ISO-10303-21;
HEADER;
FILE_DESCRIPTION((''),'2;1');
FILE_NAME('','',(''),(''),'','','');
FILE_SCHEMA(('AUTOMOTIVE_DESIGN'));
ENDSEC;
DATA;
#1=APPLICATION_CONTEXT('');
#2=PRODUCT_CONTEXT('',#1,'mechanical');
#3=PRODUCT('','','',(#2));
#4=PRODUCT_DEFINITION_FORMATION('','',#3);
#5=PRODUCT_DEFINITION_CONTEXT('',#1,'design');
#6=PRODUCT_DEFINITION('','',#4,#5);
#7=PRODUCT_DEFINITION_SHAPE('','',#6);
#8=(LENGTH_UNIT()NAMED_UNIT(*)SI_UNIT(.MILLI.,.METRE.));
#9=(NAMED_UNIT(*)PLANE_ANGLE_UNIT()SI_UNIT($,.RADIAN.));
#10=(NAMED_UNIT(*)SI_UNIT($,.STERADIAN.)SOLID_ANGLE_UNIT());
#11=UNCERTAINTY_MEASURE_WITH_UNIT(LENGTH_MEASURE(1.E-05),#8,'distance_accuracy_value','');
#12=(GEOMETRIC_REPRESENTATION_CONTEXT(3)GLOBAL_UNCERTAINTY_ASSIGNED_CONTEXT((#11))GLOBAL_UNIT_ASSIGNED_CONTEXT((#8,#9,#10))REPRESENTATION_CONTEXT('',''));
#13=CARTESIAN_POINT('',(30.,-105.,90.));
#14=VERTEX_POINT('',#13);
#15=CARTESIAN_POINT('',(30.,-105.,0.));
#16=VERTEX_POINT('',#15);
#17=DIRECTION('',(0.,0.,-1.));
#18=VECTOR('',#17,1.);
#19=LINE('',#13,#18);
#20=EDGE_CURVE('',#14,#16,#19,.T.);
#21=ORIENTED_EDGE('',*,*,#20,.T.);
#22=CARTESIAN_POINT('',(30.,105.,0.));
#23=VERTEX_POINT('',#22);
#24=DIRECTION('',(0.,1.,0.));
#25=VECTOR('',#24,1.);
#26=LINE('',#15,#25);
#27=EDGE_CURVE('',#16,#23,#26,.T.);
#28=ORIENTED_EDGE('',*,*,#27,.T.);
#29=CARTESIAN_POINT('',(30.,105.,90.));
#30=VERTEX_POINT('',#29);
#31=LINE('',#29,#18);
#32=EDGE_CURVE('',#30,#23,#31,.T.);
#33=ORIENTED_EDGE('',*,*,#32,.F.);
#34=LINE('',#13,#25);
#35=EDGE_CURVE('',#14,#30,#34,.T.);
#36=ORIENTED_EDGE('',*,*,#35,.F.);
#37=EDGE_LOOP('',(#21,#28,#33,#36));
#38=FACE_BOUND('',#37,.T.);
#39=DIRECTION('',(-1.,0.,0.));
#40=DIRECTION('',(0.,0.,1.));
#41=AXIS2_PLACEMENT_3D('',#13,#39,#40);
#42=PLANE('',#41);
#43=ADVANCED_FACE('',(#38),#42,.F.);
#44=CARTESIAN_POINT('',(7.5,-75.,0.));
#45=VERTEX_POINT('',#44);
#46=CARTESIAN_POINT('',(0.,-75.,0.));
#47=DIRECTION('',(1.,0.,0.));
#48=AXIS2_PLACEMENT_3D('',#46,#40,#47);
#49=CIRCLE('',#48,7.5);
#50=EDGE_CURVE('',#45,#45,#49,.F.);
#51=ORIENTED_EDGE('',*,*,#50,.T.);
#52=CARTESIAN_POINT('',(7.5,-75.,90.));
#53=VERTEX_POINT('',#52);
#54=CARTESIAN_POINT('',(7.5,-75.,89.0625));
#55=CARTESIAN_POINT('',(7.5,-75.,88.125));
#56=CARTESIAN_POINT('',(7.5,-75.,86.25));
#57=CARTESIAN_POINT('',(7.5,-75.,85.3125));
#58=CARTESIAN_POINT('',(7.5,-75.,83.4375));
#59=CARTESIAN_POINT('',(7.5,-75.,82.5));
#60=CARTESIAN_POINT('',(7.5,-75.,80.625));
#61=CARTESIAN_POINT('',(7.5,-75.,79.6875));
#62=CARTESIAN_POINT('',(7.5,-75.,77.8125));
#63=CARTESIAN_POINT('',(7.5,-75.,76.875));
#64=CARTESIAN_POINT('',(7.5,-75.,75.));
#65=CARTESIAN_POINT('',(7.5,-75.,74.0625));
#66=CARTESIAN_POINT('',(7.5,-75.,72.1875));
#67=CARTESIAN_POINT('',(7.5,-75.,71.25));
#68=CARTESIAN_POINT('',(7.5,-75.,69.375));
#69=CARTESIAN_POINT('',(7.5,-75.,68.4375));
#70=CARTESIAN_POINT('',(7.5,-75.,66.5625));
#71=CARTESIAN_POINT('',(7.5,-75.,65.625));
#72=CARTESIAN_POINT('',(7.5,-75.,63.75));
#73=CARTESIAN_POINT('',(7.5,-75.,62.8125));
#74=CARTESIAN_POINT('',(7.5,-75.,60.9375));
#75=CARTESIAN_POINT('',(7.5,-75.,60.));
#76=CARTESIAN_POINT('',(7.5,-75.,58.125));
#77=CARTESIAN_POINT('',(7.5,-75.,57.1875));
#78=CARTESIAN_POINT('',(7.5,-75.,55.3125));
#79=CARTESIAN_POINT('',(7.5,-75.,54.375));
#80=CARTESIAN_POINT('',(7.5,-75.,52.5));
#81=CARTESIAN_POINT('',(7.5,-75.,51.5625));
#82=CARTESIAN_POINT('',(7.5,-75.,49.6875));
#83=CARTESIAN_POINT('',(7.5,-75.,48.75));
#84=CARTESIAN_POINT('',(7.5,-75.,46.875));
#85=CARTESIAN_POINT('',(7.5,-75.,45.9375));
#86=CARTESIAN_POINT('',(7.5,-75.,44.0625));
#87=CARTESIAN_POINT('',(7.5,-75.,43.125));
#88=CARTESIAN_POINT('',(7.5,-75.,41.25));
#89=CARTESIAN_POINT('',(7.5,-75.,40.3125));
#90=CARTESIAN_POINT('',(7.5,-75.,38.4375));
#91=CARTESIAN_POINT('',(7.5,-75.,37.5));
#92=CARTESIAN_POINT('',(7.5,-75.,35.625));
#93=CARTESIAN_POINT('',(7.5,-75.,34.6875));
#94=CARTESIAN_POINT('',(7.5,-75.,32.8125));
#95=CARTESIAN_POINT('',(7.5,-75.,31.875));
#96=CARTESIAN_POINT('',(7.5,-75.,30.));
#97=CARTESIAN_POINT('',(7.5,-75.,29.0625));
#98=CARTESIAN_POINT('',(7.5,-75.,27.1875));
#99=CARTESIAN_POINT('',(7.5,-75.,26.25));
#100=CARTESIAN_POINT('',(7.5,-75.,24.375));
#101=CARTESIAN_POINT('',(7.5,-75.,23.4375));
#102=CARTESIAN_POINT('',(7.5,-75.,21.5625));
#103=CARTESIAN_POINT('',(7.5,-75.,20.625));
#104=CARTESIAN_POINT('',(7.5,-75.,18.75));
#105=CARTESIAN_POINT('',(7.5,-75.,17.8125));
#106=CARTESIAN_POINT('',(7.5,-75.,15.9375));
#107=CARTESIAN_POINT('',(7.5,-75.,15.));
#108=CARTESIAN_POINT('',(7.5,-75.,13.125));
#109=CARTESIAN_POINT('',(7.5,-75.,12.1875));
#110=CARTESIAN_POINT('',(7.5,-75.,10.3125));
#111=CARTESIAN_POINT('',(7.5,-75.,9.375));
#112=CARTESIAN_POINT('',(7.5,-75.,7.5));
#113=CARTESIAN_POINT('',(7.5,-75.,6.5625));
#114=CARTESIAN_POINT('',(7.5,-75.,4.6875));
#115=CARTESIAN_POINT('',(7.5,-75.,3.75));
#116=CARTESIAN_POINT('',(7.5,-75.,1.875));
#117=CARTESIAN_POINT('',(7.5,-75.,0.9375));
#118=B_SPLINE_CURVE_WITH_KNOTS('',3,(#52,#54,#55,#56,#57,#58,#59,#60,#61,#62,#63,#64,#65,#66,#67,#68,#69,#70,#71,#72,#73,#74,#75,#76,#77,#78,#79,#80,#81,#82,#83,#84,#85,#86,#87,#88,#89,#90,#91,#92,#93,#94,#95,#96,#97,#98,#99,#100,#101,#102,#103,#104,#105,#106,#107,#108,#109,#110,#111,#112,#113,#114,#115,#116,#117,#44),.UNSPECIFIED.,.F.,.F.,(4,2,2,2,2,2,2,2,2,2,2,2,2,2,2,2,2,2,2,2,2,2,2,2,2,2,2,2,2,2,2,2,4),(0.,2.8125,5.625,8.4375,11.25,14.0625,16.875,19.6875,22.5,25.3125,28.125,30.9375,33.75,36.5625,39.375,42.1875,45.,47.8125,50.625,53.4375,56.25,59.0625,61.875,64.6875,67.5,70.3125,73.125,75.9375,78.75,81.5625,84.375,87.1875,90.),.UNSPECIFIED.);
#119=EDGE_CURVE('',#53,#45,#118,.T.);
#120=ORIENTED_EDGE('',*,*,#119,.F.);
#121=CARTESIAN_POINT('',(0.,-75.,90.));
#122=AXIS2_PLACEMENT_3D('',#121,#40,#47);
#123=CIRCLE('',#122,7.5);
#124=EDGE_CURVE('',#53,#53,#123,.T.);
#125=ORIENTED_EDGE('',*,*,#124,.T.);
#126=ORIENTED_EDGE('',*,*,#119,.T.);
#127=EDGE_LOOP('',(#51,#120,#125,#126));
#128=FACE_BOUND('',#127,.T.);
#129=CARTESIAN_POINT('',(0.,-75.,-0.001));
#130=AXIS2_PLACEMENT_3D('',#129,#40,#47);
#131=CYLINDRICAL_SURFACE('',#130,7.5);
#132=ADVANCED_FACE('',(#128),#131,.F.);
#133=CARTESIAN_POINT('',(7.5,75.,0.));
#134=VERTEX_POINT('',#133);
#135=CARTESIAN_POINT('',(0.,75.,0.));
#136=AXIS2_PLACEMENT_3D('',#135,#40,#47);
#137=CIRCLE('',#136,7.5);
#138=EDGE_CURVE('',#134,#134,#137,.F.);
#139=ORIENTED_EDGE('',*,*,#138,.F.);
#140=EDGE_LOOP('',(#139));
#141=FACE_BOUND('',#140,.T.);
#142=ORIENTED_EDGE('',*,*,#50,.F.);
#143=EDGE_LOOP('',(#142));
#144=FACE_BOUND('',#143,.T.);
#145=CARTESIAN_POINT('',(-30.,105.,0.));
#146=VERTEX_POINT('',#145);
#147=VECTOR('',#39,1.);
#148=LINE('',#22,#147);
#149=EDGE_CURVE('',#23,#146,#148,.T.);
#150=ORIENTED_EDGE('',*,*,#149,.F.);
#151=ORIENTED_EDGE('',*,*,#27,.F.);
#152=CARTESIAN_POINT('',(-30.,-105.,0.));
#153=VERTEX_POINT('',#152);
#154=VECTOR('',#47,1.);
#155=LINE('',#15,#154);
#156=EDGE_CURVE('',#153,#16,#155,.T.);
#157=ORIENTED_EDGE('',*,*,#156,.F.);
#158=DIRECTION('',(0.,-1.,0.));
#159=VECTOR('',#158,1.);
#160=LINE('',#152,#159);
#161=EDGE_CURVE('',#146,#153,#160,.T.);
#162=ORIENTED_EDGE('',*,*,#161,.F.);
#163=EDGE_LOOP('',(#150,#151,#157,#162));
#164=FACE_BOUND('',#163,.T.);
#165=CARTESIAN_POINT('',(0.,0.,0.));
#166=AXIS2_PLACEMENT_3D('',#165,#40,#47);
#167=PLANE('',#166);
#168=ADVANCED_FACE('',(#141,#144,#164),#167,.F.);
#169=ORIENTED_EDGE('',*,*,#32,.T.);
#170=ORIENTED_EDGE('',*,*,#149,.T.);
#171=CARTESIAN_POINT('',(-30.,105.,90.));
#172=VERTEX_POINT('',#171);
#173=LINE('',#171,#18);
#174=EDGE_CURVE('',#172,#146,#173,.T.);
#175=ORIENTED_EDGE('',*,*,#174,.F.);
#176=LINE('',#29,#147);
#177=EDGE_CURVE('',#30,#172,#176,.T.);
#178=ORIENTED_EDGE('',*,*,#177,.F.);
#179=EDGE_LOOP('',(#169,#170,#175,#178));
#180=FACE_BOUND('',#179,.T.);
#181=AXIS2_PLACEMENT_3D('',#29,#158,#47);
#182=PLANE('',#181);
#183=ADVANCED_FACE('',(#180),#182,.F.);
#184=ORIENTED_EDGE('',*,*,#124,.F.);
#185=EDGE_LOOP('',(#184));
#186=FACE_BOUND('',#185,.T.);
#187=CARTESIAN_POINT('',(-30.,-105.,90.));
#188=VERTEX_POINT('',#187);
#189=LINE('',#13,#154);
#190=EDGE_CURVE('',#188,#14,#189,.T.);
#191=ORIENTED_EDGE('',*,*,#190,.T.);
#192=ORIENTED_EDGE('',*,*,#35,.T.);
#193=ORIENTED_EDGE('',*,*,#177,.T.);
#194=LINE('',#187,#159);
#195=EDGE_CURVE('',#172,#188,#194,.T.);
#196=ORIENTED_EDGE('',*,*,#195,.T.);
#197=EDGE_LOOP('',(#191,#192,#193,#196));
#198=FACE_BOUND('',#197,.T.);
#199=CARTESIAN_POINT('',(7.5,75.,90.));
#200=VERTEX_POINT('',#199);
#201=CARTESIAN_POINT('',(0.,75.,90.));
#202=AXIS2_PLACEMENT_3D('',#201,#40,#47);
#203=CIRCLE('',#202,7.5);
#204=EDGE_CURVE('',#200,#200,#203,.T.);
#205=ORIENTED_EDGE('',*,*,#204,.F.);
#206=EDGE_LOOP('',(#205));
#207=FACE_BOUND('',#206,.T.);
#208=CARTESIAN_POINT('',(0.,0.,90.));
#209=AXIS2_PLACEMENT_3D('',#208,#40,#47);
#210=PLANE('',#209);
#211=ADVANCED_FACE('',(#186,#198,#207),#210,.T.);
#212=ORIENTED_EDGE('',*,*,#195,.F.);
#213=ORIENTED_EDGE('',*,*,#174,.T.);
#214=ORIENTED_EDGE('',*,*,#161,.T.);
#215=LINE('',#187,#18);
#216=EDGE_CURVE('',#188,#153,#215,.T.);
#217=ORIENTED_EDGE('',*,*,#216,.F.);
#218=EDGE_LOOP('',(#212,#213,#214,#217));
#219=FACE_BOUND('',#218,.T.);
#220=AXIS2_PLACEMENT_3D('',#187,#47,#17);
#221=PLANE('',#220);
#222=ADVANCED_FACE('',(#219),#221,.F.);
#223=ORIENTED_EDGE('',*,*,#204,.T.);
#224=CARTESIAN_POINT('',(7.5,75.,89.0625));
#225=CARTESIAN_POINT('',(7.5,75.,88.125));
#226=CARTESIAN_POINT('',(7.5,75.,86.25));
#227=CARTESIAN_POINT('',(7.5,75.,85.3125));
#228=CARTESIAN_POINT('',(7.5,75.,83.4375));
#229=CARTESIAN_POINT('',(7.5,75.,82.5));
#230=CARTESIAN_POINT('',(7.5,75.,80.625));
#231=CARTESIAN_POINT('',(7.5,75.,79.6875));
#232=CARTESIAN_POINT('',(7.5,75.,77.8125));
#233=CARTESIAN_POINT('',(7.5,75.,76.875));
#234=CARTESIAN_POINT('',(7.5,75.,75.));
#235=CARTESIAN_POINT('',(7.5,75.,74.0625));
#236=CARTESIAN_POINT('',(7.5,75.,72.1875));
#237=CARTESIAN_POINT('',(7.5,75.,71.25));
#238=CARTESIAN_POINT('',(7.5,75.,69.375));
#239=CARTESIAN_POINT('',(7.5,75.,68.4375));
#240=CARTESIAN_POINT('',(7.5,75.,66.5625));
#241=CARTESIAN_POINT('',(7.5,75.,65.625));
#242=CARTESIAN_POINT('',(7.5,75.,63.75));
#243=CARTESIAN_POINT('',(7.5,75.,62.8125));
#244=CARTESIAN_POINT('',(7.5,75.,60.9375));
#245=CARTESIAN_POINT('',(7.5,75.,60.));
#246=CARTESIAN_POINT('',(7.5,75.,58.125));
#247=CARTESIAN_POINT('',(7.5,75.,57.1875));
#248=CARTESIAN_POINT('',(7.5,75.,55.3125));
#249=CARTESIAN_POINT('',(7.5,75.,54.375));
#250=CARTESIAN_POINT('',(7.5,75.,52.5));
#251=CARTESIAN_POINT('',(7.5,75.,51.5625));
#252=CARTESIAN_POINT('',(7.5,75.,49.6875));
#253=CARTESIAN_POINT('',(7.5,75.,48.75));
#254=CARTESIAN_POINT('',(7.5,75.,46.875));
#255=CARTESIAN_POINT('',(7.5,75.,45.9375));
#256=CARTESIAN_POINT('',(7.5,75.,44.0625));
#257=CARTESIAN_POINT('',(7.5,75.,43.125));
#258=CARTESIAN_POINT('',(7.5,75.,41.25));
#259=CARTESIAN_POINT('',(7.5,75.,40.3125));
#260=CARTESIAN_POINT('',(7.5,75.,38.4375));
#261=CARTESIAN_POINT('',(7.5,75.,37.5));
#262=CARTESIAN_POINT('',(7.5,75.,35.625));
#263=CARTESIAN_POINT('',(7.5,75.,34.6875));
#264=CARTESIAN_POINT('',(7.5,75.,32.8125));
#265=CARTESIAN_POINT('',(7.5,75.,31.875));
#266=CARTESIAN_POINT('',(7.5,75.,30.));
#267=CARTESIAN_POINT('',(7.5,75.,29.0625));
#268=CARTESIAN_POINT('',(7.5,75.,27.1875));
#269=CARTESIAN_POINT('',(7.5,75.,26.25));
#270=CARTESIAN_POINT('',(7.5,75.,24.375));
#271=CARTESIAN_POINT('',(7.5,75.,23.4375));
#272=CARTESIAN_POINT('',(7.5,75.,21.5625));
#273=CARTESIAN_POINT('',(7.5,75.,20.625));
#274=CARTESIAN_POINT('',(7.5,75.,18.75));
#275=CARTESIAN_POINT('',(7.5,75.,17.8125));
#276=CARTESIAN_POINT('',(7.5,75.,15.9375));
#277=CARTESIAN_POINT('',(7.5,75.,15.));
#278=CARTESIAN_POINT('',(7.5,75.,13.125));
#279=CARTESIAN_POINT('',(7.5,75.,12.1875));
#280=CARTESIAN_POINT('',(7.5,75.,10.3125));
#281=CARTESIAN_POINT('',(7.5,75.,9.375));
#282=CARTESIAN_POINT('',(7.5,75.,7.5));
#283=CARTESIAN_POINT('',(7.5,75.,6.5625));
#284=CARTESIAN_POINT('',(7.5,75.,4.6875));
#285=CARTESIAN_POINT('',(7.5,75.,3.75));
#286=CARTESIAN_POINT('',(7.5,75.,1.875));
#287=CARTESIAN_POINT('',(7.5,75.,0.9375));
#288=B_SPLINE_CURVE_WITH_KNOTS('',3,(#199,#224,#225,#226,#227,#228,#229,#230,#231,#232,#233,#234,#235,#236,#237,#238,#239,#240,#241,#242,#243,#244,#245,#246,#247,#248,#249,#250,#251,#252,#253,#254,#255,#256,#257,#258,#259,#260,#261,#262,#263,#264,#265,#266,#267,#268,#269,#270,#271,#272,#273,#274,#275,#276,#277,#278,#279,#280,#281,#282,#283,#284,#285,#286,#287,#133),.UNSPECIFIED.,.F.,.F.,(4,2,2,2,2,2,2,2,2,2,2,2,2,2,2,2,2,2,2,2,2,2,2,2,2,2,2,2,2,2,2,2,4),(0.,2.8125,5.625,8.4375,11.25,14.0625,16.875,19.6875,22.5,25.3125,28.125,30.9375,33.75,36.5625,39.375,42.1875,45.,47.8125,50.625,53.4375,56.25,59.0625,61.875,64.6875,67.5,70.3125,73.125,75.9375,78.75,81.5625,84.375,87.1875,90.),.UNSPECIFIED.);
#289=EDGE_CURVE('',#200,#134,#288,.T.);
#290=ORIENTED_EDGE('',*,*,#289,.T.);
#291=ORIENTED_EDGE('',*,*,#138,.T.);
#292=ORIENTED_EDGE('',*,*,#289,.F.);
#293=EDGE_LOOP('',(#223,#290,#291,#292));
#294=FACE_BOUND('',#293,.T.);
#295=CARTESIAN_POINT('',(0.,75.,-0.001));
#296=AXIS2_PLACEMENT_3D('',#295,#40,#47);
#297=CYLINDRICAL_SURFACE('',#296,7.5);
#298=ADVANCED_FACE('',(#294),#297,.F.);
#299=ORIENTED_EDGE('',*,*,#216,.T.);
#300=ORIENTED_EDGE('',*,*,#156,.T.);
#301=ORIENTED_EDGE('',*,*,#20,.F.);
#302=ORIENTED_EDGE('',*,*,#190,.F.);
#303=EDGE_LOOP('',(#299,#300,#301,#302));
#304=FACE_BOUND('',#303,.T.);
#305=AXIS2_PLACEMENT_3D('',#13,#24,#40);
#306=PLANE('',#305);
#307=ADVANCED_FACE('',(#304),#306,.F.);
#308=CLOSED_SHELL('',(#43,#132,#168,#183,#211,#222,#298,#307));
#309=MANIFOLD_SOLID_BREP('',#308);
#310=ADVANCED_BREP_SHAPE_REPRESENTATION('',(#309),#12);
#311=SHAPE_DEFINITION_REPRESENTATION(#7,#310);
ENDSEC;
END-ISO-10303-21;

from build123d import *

# Parameters (mm, degrees)
SKETCH1_W           = 60
SKETCH1_H           = 210
BOSS_EXTRUDE1_DEPTH = 90
CUT_EXTRUDE1_REACH  = 143.51
SKETCH2_R           = 7.5


with BuildPart() as part:
    # Sketch1 → Boss-Extrude1 (new body)
    with BuildSketch(Plane.XY):
        Rectangle(SKETCH1_W, SKETCH1_H)
    extrude(amount=BOSS_EXTRUDE1_DEPTH)

    # Sketch2 → Cut-Extrude1 (cut, up to next)
    with BuildSketch(Plane.XY.offset(90), mode=Mode.PRIVATE) as cut_extrude1_sk1:
        with Locations((0, 75)):
            Circle(SKETCH2_R)
    cut_extrude1_tool1 = extrude(cut_extrude1_sk1.sketch, amount=-CUT_EXTRUDE1_REACH, mode=Mode.PRIVATE) & part.part
    # Sketch2 → Cut-Extrude1 (cut, up to next)
    with BuildSketch(Plane.XY.offset(90), mode=Mode.PRIVATE) as cut_extrude1_sk2:
        with Locations((0, -75)):
            Circle(SKETCH2_R)
    cut_extrude1_tool2 = extrude(cut_extrude1_sk2.sketch, amount=-CUT_EXTRUDE1_REACH, mode=Mode.PRIVATE) & part.part
    add(cut_extrude1_tool1.solids().sort_by_distance((0, 75, 90))[0], mode=Mode.SUBTRACT)
    add(cut_extrude1_tool2.solids().sort_by_distance((0, -75, 90))[0], mode=Mode.SUBTRACT)


solid = part.part
